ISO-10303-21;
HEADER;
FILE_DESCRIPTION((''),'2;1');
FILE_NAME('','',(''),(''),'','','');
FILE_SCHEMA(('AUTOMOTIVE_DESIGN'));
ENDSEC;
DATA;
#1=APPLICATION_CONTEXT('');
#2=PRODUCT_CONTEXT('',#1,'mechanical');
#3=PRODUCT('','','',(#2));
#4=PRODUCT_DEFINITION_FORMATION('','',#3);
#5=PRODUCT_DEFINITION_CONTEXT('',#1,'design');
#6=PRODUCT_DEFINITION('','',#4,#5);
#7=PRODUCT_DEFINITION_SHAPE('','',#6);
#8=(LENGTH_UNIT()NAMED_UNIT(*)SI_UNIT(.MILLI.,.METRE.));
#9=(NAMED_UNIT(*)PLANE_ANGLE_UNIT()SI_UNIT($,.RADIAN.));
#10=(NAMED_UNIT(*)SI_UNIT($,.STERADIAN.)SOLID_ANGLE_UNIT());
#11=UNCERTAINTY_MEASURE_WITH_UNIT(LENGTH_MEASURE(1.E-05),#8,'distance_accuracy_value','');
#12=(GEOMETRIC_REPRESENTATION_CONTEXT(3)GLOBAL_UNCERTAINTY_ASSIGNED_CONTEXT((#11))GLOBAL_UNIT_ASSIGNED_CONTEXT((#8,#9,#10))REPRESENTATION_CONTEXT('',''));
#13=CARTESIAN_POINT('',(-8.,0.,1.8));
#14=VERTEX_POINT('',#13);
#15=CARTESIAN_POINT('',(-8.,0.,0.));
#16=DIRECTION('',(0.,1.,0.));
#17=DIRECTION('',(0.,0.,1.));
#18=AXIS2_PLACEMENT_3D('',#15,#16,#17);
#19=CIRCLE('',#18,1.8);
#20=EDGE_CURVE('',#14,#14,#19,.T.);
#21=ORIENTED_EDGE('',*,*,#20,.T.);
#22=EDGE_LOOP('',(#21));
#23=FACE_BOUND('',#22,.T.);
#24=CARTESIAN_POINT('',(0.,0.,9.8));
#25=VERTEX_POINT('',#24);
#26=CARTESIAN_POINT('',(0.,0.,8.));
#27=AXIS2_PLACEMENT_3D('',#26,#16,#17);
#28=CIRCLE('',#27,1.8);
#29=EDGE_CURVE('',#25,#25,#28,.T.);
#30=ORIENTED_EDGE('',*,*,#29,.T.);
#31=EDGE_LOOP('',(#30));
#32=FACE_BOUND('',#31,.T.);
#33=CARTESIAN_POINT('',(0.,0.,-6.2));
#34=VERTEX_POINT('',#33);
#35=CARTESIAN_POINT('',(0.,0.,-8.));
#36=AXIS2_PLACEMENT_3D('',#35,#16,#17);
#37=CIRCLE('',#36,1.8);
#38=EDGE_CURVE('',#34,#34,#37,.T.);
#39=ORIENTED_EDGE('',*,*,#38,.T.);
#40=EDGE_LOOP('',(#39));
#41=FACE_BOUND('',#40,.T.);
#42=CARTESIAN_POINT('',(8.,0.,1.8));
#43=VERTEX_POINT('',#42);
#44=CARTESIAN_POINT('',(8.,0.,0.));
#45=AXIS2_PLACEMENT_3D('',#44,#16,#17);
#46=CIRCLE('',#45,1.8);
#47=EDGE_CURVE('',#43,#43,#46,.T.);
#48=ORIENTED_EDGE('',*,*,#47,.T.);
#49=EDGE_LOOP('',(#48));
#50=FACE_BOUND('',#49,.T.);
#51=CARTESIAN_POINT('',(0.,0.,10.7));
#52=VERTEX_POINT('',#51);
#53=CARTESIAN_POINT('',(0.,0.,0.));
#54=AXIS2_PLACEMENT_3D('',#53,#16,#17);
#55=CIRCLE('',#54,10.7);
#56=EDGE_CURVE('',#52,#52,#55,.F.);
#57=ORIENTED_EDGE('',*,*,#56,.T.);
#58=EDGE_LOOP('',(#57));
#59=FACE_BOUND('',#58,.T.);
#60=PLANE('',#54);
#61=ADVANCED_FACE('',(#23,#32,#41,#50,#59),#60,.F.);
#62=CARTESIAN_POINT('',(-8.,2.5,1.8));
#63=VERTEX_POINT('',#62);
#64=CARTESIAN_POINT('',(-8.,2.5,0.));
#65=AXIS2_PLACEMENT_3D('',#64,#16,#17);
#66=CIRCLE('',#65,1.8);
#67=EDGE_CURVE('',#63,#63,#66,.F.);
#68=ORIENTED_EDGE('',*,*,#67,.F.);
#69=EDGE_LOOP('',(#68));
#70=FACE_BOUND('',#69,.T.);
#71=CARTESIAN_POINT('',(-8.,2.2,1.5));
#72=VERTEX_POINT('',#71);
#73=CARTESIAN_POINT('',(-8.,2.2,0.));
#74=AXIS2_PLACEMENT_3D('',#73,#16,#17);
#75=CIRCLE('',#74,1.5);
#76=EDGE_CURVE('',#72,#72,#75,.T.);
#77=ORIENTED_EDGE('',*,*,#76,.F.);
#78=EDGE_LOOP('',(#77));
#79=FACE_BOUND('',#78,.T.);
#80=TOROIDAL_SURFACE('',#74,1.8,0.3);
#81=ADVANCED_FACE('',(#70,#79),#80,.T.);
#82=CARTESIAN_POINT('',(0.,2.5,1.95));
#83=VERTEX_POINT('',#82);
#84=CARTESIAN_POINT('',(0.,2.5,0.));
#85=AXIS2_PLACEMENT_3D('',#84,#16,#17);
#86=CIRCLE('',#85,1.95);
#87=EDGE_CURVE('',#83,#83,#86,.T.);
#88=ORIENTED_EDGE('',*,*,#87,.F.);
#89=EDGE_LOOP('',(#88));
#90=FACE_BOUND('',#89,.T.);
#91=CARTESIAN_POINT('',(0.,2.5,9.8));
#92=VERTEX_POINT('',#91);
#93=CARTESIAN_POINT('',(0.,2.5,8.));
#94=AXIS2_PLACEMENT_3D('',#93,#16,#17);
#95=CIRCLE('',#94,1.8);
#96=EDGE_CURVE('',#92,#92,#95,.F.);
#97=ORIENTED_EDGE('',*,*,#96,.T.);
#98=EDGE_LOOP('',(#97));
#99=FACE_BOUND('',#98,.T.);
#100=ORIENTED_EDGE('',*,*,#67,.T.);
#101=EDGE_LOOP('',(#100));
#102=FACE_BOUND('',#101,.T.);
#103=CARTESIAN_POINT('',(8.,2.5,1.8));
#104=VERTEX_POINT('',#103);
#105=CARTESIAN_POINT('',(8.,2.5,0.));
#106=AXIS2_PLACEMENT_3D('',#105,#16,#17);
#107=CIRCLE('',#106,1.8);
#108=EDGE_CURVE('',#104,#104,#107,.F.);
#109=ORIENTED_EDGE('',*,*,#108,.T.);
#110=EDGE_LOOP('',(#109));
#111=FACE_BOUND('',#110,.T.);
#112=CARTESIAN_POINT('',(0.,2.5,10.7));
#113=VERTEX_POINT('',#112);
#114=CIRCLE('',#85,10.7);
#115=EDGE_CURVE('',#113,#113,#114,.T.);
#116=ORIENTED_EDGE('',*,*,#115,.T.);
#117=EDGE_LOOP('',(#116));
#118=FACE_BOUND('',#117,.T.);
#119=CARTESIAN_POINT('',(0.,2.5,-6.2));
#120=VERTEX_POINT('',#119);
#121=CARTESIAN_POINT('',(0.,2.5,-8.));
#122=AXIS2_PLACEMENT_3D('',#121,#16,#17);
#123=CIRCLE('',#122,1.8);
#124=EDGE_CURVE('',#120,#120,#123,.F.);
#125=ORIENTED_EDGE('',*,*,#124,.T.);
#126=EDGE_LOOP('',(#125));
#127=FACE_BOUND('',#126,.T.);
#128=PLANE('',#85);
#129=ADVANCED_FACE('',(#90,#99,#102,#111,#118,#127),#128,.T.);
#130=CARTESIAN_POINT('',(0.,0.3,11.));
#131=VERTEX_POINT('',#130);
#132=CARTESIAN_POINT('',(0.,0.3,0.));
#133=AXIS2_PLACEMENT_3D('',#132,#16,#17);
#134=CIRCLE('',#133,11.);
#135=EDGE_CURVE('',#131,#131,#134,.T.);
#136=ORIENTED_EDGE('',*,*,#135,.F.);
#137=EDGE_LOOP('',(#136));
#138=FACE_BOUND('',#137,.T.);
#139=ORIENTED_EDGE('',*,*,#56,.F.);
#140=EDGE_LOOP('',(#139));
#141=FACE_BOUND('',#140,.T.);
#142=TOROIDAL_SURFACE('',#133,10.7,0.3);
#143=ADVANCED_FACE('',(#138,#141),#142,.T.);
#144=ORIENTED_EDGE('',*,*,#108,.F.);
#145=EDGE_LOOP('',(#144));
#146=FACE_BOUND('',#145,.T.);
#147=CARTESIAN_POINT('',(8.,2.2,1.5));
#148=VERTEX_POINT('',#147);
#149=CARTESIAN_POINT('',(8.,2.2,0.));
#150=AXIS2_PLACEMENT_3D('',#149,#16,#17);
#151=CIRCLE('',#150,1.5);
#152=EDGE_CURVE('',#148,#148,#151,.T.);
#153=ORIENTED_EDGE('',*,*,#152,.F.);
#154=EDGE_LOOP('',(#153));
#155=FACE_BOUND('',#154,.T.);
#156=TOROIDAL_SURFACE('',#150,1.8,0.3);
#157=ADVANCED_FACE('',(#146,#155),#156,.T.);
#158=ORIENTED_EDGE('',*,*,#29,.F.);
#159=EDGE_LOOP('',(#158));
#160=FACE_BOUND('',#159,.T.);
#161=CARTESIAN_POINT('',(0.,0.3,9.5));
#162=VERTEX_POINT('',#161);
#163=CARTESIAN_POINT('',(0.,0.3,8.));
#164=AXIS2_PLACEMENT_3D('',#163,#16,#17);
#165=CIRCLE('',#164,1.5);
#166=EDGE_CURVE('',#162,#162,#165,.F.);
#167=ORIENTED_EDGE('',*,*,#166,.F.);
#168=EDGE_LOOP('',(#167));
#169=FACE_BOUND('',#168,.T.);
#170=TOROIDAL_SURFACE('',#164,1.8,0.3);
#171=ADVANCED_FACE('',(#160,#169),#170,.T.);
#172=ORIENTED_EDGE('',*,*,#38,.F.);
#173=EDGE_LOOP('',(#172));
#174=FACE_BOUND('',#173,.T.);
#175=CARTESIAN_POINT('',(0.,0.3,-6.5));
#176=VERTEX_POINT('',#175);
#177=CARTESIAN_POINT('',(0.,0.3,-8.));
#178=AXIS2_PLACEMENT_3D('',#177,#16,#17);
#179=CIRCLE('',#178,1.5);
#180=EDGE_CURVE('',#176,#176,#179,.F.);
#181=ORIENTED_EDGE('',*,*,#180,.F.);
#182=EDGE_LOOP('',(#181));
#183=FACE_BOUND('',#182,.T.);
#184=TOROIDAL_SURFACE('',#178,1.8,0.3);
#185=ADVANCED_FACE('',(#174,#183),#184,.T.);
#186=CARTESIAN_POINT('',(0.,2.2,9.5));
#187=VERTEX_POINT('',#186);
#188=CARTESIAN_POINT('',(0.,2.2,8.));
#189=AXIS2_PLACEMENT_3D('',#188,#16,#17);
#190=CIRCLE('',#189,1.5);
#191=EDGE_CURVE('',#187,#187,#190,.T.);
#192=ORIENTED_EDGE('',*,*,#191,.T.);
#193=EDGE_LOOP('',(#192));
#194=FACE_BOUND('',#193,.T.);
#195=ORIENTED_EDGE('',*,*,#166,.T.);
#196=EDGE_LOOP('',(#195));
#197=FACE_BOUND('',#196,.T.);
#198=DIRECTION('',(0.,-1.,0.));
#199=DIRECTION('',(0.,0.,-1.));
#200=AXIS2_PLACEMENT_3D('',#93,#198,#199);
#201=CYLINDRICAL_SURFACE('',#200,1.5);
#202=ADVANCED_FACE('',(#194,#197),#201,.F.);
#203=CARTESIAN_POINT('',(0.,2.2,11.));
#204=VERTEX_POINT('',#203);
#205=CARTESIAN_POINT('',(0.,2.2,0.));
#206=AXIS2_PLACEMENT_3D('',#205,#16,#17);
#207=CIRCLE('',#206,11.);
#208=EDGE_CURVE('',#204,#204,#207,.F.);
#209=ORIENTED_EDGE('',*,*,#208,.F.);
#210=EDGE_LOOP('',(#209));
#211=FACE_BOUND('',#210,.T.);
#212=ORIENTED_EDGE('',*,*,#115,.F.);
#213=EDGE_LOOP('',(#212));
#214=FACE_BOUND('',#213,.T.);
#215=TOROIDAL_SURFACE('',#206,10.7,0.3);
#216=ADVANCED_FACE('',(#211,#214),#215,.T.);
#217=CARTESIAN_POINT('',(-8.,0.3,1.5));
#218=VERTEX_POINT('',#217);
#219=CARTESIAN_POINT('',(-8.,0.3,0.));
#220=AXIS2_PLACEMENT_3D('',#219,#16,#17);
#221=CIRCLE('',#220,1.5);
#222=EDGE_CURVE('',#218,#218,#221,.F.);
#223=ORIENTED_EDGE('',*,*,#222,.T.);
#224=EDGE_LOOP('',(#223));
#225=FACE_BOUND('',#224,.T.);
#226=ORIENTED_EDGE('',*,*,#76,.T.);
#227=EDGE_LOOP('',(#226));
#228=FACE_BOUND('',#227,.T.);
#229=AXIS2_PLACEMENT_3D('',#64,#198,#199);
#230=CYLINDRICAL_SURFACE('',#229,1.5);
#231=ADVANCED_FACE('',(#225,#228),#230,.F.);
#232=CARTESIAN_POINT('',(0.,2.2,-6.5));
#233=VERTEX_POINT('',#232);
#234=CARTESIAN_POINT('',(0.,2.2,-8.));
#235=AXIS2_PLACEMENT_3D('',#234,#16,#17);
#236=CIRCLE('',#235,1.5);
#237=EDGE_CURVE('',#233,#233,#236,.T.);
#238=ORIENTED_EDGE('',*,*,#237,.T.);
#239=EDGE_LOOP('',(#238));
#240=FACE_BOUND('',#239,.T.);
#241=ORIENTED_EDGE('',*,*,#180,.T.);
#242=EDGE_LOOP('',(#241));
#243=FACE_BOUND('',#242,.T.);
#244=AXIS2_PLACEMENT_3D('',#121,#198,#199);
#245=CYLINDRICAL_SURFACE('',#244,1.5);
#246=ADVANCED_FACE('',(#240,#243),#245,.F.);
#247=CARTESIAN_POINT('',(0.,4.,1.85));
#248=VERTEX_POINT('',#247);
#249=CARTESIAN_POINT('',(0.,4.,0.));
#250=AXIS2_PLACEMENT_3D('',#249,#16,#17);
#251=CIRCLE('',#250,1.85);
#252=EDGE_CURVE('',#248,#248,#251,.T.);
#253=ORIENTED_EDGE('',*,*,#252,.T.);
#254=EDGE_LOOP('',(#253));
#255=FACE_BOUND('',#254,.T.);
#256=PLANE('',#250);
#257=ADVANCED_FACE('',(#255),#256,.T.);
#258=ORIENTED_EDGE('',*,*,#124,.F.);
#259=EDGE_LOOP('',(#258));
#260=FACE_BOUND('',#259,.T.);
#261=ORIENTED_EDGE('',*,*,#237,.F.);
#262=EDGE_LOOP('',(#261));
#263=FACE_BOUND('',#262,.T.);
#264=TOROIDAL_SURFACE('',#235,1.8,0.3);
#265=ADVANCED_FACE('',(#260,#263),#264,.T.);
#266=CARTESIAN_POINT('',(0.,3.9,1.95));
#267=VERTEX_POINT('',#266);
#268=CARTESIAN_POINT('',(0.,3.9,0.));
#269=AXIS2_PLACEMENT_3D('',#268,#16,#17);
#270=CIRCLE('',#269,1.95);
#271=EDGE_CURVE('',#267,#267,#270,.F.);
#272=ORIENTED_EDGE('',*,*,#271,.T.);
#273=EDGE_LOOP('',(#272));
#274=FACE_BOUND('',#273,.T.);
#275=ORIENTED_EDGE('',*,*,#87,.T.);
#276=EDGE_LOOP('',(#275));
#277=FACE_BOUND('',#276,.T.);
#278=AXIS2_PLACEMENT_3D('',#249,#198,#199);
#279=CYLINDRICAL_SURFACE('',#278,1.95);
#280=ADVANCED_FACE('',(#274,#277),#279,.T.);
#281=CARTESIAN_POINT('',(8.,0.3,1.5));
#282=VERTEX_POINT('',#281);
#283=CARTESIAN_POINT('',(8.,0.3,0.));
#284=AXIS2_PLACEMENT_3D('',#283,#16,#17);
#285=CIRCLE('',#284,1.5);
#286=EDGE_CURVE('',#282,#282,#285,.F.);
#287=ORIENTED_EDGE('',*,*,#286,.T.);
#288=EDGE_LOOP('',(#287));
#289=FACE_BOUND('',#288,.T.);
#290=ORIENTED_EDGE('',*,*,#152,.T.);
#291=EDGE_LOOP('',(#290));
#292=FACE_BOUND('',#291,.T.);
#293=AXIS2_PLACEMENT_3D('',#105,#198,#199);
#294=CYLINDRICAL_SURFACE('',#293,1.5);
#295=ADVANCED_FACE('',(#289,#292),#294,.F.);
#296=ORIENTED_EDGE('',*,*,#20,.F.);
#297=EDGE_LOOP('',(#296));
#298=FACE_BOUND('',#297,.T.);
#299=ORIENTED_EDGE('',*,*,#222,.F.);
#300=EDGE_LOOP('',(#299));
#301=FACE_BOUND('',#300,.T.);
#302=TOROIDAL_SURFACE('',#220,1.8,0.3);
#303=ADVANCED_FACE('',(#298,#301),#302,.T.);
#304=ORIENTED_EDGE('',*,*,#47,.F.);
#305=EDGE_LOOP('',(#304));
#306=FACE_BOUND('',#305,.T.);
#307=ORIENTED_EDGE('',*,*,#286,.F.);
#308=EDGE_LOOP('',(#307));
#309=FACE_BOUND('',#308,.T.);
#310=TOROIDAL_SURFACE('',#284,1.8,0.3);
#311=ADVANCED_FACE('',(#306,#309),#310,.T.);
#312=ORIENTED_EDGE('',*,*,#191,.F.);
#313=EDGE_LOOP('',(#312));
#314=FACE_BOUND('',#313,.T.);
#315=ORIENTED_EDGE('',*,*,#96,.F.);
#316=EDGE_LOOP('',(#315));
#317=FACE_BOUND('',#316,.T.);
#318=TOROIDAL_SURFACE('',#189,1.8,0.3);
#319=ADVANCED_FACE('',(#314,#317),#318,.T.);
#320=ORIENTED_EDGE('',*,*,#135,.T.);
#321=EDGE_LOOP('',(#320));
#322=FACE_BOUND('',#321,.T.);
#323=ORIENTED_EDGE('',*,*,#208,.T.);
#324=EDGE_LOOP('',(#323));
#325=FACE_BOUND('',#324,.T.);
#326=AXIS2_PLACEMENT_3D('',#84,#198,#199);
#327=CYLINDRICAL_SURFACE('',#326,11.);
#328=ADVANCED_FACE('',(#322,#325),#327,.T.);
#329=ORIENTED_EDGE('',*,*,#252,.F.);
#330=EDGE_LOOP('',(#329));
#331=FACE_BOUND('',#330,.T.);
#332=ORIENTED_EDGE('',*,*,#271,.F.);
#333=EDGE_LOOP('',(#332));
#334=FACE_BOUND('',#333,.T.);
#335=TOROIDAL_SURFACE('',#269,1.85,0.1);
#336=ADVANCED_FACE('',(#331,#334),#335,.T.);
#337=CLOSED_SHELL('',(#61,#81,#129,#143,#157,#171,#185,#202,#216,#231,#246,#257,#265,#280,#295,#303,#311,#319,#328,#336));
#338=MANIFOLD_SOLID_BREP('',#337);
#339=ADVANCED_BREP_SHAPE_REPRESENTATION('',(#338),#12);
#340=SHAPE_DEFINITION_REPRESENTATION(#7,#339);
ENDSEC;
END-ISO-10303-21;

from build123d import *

# Parameters (mm, degrees)
SKETCH1_R           = 11
SKETCH1_R_2         = 1.5
BOSS_EXTRUDE1_DEPTH = 2.5
FILLET1_R           = 0.3
SKETCH2_R           = 1.95
BOSS_EXTRUDE2_DEPTH = 1.5
FILLET2_R           = 0.1


with BuildPart() as part:
    # Sketch1 → Boss-Extrude1 (new body)
    with BuildSketch(Plane(origin=(0, 0, 0), x_dir=(1, 0, 0), z_dir=(0, 1, 0))):
        Circle(SKETCH1_R)
        with Locations((-8, 0)):
            Circle(SKETCH1_R_2, mode=Mode.SUBTRACT)
        with Locations((0, 8)):
            Circle(SKETCH1_R_2, mode=Mode.SUBTRACT)
        with Locations((8, 0)):
            Circle(SKETCH1_R_2, mode=Mode.SUBTRACT)
        with Locations((0, -8)):
            Circle(SKETCH1_R_2, mode=Mode.SUBTRACT)
    extrude(amount=BOSS_EXTRUDE1_DEPTH)

    # Fillet1
    fillet1_edges = [part.edges().sort_by_distance(p)[0] for p in [
        (-1.5, 2.5, -8),
        (6.5, 2.5, 0),
        (-1.5, 2.5, 8),
        (-11, 2.5, 0),
        (-11, 0, 0),
        (-1.5, 0, 8),
        (6.5, 0, 0),
        (-9.5, 2.5, 0),
        (-1.5, 0, -8),
        (-9.5, 0, 0),
    ]]
    fillet(fillet1_edges, radius=FILLET1_R)

    # Sketch2 → Boss-Extrude2 (add)
    with BuildSketch(Plane(origin=(0, 2.5, 0), x_dir=(1, 0, 0), z_dir=(0, 1, 0))):
        Circle(SKETCH2_R)
    extrude(amount=BOSS_EXTRUDE2_DEPTH)

    # Fillet2
    fillet2_edges = [part.edges().sort_by_distance(p)[0] for p in [
        (-1.95, 4, 0),
    ]]
    fillet(fillet2_edges, radius=FILLET2_R)


solid = part.part
